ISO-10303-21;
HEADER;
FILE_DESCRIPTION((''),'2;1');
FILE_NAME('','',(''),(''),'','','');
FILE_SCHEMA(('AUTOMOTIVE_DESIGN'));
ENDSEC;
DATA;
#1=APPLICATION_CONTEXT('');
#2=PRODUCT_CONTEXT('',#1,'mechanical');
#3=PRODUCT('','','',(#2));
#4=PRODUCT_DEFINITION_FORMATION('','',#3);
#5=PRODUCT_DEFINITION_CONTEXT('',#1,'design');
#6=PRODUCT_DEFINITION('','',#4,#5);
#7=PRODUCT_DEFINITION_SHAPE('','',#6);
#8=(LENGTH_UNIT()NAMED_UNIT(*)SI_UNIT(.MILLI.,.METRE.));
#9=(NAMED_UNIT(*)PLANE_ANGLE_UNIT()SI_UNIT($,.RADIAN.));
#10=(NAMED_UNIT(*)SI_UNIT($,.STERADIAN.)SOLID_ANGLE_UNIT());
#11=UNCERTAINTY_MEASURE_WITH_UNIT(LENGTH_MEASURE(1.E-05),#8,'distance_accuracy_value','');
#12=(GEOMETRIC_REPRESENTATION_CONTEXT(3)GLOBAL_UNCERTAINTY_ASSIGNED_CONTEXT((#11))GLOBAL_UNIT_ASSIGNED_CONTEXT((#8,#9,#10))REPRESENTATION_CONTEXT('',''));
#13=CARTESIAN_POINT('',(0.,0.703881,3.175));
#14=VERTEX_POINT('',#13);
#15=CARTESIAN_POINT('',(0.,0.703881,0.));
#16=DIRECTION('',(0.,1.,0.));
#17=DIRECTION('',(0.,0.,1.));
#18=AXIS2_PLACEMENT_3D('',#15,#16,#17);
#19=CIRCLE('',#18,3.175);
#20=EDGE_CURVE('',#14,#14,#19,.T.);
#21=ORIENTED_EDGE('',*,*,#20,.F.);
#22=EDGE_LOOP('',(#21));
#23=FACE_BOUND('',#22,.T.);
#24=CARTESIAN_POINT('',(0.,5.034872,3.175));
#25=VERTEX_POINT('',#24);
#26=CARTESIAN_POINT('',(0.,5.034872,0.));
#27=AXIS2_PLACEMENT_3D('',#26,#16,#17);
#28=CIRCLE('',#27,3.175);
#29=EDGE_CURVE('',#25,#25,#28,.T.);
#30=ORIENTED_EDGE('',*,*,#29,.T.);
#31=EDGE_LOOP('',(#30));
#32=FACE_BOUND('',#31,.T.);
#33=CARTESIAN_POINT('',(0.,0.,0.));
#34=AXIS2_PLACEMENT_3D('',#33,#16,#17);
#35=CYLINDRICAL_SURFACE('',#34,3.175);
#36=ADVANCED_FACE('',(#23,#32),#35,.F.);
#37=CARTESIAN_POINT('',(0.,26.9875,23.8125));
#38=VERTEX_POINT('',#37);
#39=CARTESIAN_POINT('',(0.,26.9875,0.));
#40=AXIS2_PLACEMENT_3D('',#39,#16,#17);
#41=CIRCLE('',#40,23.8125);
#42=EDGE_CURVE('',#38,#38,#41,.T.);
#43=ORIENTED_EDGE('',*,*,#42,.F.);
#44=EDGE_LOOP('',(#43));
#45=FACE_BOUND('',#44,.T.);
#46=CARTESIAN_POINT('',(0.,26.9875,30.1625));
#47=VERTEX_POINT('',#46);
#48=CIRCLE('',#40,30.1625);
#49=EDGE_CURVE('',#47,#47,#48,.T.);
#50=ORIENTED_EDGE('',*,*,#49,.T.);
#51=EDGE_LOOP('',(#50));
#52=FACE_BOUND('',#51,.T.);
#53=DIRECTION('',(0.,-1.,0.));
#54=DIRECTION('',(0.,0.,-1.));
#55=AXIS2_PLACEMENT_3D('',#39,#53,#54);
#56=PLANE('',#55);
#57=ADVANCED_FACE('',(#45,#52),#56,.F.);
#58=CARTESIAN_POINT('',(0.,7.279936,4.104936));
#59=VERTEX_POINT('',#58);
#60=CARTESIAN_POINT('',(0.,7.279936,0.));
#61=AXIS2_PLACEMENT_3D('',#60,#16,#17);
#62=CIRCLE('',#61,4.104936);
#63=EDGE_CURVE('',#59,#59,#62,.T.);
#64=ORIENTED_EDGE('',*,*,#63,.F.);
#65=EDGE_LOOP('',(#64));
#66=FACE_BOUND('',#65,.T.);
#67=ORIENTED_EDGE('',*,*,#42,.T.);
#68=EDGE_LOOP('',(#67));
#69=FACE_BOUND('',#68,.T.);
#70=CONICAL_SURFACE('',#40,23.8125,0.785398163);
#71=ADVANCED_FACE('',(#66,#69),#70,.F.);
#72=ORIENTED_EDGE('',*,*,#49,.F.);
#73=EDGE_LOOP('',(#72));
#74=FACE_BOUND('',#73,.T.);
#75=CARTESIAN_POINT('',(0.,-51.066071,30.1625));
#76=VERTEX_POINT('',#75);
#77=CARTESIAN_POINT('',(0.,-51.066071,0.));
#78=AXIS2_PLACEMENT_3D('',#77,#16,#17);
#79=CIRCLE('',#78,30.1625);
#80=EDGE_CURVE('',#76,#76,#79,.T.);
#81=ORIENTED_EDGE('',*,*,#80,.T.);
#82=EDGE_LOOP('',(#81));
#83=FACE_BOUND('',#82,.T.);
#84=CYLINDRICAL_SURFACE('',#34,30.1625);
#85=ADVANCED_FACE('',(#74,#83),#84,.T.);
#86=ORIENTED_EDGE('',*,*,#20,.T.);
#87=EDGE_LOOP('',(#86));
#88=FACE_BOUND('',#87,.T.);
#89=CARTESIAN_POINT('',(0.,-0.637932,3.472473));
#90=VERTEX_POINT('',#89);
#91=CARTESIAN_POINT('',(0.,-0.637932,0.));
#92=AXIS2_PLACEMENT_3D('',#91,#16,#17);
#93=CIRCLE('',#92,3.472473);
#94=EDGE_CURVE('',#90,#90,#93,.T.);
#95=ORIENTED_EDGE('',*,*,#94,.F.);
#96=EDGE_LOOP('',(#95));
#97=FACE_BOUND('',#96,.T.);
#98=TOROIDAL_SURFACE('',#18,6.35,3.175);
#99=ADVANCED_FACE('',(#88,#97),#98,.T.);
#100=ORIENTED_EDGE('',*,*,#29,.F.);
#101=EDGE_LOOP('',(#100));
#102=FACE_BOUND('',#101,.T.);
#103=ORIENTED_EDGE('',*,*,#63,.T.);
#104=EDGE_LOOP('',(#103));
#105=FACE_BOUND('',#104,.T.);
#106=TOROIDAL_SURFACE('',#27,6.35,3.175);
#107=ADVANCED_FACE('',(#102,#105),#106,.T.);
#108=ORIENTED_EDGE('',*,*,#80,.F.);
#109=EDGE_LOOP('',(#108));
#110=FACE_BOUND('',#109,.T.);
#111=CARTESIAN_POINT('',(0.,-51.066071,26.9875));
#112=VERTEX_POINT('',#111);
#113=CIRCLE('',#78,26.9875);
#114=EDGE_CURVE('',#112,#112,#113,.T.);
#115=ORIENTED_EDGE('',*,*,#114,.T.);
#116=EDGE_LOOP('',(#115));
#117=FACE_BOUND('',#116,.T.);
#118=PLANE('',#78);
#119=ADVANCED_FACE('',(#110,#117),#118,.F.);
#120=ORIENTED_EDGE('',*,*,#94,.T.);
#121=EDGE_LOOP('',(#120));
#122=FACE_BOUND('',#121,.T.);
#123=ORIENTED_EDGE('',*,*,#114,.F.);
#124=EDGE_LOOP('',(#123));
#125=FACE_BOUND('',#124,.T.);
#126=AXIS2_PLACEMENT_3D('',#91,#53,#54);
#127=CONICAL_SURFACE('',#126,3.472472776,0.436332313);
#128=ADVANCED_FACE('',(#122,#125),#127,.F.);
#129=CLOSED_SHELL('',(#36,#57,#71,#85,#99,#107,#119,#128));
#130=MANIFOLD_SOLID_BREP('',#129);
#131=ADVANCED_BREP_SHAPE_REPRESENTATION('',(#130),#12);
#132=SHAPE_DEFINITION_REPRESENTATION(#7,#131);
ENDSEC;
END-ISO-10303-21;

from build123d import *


with BuildPart() as part:
    # Sketch5 → Revolve2 (revolve)
    with BuildSketch(Plane.XY):
        with BuildLine():
            ThreePointArc((6.647472776, -0.637932427), (6.425260177, 0.01668478), (6.35, 0.703880554))
            Line((6.35, 0.703880554), (6.35, 5.034871939))
            ThreePointArc((6.35, 5.034871939), (6.591682484, 6.249891837), (7.27993597, 7.27993597))
            Line((7.27993597, 7.27993597), (26.9875, 26.9875))
            Line((26.9875, 26.9875), (30.1625, 26.9875))
            Line((30.1625, 26.9875), (30.1625, -51.066071045))
            Line((30.1625, -51.066071045), (6.647472776, -0.637932427))
        make_face()
        with BuildLine():
            ThreePointArc((3.175, 5.034871939), (3.416682484, 6.249891837), (4.10493597, 7.27993597))
            Line((4.10493597, 7.27993597), (23.8125, 26.9875))
            Line((23.8125, 26.9875), (26.9875, 26.9875))
            Line((26.9875, 26.9875), (7.27993597, 7.27993597))
            ThreePointArc((7.27993597, 7.27993597), (6.591682484, 6.249891837), (6.35, 5.034871939))
            Line((6.35, 5.034871939), (6.35, 0.703880554))
            ThreePointArc((6.35, 0.703880554), (6.425260177, 0.01668478), (6.647472776, -0.637932427))
            Line((6.647472776, -0.637932427), (30.1625, -51.066071045))
            Line((30.1625, -51.066071045), (26.9875, -51.066071045))
            Line((26.9875, -51.066071045), (3.472472776, -0.637932427))
            ThreePointArc((3.472472776, -0.637932427), (3.250260177, 0.01668478), (3.175, 0.703880554))
            Line((3.175, 0.703880554), (3.175, 5.034871939))
        make_face()
    revolve(axis=Axis((0, 0, 0), (0, -1, 0)))


solid = part.part
